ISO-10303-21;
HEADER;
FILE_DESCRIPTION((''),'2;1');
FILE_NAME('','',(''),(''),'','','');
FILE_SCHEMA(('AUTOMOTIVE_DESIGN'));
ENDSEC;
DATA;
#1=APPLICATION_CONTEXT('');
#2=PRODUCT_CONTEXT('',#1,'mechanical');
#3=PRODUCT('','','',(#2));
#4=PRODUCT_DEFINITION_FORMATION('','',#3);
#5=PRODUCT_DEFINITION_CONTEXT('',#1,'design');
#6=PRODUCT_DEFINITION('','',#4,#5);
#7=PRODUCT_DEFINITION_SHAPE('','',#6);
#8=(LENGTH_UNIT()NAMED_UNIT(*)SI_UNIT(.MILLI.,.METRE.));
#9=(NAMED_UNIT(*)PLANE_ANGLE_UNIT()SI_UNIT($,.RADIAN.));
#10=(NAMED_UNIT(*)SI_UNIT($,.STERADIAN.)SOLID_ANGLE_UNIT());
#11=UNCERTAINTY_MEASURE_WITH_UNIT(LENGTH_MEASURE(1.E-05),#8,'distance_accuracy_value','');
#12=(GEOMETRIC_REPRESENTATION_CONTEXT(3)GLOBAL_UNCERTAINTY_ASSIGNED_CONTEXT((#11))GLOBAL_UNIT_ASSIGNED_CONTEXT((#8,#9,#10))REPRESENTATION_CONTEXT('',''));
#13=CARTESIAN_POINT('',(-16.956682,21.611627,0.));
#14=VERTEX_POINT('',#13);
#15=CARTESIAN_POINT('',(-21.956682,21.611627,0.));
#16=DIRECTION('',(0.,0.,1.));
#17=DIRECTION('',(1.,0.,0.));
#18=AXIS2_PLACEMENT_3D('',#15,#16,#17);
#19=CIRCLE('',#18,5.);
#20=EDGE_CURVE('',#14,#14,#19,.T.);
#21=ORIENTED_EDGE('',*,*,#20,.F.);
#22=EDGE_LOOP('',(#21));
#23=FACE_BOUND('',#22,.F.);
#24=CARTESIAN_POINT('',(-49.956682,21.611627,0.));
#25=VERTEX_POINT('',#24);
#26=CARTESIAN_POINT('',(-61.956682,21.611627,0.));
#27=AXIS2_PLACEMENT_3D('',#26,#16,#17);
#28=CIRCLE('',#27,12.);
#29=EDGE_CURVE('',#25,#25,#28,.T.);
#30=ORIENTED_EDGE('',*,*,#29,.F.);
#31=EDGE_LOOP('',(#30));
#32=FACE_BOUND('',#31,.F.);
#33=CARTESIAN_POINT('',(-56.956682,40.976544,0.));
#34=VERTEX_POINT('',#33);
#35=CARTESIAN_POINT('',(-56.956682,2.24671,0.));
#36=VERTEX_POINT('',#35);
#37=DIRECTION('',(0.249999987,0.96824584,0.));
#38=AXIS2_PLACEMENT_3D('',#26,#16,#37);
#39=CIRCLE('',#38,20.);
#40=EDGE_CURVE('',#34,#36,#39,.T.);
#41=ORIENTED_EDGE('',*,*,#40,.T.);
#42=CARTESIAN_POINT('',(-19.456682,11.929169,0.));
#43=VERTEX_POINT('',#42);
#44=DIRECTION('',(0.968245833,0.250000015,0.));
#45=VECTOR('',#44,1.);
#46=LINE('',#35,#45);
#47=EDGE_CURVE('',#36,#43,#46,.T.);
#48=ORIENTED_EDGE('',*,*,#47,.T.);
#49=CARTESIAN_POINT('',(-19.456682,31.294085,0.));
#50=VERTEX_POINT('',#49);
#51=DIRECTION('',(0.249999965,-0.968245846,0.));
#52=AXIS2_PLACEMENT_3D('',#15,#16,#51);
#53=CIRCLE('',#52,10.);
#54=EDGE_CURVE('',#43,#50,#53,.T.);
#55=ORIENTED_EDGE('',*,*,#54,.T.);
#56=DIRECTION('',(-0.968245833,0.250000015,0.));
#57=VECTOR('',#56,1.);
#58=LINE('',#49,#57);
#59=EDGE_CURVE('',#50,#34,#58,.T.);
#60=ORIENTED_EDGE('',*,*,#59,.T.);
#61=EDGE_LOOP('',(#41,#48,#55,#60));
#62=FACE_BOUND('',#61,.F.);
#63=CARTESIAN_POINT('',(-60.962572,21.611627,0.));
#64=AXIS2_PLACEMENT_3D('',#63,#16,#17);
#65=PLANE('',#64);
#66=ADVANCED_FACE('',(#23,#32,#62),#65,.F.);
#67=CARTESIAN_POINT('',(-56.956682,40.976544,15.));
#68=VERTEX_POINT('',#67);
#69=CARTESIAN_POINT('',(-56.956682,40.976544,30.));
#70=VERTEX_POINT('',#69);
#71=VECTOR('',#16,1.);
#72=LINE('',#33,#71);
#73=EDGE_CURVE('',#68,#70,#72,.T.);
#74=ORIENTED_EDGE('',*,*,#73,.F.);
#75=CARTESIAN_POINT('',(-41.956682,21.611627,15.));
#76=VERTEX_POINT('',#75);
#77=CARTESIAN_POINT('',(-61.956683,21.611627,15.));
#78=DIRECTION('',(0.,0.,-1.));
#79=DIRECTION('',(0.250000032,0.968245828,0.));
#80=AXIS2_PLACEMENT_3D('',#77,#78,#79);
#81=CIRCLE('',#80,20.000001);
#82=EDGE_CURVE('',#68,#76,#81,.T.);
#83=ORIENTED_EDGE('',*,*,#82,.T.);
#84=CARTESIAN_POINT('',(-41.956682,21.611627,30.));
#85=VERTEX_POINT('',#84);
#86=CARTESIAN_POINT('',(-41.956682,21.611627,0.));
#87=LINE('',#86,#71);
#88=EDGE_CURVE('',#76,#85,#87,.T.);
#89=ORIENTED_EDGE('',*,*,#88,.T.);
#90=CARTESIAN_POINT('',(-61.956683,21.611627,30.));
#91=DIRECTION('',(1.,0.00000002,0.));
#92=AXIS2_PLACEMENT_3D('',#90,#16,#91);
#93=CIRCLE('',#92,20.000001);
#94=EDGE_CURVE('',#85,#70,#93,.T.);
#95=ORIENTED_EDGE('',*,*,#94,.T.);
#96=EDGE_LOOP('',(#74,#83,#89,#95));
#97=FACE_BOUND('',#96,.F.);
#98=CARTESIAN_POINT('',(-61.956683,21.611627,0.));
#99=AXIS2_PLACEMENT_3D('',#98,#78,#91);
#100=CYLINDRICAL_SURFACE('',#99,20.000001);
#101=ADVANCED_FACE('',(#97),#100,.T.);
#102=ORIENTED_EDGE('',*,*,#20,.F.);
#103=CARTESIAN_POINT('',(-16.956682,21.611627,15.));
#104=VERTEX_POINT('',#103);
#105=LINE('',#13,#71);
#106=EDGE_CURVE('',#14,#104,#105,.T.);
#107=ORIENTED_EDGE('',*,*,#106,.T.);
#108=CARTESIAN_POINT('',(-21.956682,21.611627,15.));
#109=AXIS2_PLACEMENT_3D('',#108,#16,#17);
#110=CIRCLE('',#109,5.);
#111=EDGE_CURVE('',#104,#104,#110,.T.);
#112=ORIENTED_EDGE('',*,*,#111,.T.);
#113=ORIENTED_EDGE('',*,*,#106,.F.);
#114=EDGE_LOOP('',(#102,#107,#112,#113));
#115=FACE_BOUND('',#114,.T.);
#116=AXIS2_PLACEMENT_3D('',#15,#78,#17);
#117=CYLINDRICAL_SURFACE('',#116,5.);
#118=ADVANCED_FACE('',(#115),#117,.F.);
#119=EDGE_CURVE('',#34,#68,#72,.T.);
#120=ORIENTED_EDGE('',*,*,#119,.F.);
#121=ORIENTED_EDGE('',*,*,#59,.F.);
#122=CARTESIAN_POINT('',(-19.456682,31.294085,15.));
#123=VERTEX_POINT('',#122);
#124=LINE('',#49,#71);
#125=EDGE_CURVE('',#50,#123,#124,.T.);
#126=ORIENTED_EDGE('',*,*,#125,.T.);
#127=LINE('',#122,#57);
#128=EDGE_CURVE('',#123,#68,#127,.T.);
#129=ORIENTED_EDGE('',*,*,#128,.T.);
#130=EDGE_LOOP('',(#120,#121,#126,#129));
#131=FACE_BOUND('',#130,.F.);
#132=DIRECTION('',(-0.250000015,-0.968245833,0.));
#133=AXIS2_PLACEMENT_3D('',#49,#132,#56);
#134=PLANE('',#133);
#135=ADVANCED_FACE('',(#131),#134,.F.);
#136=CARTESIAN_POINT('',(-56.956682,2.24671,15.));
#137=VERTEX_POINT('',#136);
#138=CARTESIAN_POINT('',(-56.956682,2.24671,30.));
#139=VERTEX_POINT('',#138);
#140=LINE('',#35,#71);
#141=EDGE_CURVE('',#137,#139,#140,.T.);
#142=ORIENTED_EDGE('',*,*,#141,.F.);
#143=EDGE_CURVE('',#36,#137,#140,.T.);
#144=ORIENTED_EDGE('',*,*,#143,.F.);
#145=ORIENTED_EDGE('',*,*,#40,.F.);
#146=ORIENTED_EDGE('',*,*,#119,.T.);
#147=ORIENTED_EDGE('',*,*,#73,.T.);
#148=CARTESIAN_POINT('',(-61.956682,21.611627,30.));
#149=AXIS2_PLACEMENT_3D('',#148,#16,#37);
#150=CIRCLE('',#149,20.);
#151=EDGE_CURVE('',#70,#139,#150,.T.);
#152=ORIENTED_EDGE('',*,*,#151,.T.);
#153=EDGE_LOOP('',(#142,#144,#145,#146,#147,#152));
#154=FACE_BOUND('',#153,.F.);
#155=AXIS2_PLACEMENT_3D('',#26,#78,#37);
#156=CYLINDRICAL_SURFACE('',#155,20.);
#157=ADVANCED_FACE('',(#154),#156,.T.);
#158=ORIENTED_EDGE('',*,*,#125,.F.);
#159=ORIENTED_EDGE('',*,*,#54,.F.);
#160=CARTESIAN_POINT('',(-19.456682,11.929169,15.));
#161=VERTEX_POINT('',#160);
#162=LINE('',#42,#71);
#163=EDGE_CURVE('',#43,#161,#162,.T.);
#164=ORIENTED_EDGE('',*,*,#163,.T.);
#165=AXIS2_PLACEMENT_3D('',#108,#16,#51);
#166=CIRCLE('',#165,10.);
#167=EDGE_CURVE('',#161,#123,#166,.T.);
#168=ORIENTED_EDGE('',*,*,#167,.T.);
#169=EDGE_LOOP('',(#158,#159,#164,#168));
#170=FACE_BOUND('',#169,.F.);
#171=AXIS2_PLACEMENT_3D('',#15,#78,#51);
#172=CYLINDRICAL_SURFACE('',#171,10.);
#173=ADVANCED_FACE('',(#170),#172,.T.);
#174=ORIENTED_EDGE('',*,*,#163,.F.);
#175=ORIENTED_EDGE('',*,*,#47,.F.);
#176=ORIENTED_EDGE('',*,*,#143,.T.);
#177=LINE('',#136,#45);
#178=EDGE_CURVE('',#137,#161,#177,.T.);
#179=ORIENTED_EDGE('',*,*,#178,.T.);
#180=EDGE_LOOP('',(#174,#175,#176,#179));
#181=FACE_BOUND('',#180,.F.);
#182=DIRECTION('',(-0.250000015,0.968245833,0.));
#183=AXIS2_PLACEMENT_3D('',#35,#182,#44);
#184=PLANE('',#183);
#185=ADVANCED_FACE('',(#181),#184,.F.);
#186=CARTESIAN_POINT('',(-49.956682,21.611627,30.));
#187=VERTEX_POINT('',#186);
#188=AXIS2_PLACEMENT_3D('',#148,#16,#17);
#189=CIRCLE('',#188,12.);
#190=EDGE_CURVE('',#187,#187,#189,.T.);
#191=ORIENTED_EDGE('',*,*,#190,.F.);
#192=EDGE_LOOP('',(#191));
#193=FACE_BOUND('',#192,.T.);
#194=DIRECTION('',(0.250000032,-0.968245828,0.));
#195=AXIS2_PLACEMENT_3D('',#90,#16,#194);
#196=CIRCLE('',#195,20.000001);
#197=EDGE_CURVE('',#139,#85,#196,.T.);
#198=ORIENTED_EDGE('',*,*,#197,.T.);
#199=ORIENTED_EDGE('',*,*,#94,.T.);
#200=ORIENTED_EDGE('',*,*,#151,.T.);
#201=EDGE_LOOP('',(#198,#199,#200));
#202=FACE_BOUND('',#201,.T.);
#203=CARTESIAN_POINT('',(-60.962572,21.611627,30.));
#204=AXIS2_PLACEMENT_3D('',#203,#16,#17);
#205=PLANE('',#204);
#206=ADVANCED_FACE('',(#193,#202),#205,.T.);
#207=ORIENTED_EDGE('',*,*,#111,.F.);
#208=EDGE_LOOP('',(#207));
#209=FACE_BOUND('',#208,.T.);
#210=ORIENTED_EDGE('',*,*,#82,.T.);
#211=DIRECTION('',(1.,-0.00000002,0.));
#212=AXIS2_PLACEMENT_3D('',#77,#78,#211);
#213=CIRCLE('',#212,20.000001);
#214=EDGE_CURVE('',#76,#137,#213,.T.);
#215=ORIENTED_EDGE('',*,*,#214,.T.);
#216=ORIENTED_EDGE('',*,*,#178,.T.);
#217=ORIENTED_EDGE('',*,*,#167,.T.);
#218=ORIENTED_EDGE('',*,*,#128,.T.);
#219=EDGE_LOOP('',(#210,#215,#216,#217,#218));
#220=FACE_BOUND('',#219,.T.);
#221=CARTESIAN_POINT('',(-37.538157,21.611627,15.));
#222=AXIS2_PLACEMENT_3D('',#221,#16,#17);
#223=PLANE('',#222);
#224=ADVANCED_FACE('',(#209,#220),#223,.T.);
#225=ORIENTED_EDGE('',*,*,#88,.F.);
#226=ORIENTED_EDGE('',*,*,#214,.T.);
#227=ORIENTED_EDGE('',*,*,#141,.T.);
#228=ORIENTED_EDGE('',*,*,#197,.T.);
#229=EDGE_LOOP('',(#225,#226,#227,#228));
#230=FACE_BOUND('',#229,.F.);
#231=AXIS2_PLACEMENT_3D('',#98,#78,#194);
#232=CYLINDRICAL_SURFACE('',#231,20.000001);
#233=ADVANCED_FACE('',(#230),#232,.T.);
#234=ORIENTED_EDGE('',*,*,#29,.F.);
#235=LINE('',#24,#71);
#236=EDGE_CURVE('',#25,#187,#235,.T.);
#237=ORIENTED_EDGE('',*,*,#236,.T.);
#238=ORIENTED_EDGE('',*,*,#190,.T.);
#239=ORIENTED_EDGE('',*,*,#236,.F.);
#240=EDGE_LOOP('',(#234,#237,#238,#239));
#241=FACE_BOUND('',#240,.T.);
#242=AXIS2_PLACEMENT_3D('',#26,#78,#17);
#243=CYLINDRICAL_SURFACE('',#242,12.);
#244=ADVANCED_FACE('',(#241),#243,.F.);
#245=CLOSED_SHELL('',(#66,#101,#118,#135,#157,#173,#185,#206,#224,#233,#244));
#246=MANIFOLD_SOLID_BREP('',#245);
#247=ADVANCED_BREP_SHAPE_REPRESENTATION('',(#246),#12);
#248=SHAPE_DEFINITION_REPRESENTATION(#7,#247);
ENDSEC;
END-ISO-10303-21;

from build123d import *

# Parameters (mm, degrees)
F0_R     = 5
F1_DEPTH = 15
F2_DEPTH = 15
F0_R_2   = 12
F3_DEPTH = 30


with BuildPart() as f1:
    # F0 (on Top) → F1 (new body)
    with BuildSketch(Plane.XY):
        with BuildLine():
            ThreePointArc((-56.956682, 40.976544), (-46.145294, 33.859076), (-41.956682, 21.611627))
            ThreePointArc((-41.956682, 21.611627), (-46.145294, 9.364178), (-56.956682, 2.24671))
            Line((-56.956682, 2.24671), (-19.456682, 11.929169))
            ThreePointArc((-19.456682, 11.929169), (-11.956682, 21.611627), (-19.456682, 31.294085))
            Line((-19.456682, 31.294085), (-56.956682, 40.976544))
        make_face()
        with Locations((-21.956682, 21.611627)):
            Circle(F0_R, mode=Mode.SUBTRACT)
    extrude(amount=F1_DEPTH)

    # F0 (on Top) → F2 (join)
    with BuildSketch(Plane.XY):
        with BuildLine():
            ThreePointArc((-56.956682, 40.976544), (-46.145294, 33.859076), (-41.956682, 21.611627))
            ThreePointArc((-41.956682, 21.611627), (-46.145294, 9.364178), (-56.956682, 2.24671))
            Line((-56.956682, 2.24671), (-19.456682, 11.929169))
            ThreePointArc((-19.456682, 11.929169), (-11.956682, 21.611627), (-19.456682, 31.294085))
            Line((-19.456682, 31.294085), (-56.956682, 40.976544))
        make_face()
        with Locations((-21.956682, 21.611627)):
            Circle(F0_R, mode=Mode.SUBTRACT)
    extrude(amount=F2_DEPTH)

    # F0 (on Top) → F3 (join)
    with BuildSketch(Plane.XY):
        with BuildLine():
            ThreePointArc((-56.956682, 2.24671), (-46.145294, 9.364178), (-41.956682, 21.611627))
            ThreePointArc((-41.956682, 21.611627), (-46.145294, 33.859076), (-56.956682, 40.976544))
            ThreePointArc((-56.956682, 40.976544), (-81.956682, 21.611627), (-56.956682, 2.24671))
        make_face()
        with Locations((-61.956682, 21.611627)):
            Circle(F0_R_2, mode=Mode.SUBTRACT)
    extrude(amount=F3_DEPTH)


solid = f1.part
